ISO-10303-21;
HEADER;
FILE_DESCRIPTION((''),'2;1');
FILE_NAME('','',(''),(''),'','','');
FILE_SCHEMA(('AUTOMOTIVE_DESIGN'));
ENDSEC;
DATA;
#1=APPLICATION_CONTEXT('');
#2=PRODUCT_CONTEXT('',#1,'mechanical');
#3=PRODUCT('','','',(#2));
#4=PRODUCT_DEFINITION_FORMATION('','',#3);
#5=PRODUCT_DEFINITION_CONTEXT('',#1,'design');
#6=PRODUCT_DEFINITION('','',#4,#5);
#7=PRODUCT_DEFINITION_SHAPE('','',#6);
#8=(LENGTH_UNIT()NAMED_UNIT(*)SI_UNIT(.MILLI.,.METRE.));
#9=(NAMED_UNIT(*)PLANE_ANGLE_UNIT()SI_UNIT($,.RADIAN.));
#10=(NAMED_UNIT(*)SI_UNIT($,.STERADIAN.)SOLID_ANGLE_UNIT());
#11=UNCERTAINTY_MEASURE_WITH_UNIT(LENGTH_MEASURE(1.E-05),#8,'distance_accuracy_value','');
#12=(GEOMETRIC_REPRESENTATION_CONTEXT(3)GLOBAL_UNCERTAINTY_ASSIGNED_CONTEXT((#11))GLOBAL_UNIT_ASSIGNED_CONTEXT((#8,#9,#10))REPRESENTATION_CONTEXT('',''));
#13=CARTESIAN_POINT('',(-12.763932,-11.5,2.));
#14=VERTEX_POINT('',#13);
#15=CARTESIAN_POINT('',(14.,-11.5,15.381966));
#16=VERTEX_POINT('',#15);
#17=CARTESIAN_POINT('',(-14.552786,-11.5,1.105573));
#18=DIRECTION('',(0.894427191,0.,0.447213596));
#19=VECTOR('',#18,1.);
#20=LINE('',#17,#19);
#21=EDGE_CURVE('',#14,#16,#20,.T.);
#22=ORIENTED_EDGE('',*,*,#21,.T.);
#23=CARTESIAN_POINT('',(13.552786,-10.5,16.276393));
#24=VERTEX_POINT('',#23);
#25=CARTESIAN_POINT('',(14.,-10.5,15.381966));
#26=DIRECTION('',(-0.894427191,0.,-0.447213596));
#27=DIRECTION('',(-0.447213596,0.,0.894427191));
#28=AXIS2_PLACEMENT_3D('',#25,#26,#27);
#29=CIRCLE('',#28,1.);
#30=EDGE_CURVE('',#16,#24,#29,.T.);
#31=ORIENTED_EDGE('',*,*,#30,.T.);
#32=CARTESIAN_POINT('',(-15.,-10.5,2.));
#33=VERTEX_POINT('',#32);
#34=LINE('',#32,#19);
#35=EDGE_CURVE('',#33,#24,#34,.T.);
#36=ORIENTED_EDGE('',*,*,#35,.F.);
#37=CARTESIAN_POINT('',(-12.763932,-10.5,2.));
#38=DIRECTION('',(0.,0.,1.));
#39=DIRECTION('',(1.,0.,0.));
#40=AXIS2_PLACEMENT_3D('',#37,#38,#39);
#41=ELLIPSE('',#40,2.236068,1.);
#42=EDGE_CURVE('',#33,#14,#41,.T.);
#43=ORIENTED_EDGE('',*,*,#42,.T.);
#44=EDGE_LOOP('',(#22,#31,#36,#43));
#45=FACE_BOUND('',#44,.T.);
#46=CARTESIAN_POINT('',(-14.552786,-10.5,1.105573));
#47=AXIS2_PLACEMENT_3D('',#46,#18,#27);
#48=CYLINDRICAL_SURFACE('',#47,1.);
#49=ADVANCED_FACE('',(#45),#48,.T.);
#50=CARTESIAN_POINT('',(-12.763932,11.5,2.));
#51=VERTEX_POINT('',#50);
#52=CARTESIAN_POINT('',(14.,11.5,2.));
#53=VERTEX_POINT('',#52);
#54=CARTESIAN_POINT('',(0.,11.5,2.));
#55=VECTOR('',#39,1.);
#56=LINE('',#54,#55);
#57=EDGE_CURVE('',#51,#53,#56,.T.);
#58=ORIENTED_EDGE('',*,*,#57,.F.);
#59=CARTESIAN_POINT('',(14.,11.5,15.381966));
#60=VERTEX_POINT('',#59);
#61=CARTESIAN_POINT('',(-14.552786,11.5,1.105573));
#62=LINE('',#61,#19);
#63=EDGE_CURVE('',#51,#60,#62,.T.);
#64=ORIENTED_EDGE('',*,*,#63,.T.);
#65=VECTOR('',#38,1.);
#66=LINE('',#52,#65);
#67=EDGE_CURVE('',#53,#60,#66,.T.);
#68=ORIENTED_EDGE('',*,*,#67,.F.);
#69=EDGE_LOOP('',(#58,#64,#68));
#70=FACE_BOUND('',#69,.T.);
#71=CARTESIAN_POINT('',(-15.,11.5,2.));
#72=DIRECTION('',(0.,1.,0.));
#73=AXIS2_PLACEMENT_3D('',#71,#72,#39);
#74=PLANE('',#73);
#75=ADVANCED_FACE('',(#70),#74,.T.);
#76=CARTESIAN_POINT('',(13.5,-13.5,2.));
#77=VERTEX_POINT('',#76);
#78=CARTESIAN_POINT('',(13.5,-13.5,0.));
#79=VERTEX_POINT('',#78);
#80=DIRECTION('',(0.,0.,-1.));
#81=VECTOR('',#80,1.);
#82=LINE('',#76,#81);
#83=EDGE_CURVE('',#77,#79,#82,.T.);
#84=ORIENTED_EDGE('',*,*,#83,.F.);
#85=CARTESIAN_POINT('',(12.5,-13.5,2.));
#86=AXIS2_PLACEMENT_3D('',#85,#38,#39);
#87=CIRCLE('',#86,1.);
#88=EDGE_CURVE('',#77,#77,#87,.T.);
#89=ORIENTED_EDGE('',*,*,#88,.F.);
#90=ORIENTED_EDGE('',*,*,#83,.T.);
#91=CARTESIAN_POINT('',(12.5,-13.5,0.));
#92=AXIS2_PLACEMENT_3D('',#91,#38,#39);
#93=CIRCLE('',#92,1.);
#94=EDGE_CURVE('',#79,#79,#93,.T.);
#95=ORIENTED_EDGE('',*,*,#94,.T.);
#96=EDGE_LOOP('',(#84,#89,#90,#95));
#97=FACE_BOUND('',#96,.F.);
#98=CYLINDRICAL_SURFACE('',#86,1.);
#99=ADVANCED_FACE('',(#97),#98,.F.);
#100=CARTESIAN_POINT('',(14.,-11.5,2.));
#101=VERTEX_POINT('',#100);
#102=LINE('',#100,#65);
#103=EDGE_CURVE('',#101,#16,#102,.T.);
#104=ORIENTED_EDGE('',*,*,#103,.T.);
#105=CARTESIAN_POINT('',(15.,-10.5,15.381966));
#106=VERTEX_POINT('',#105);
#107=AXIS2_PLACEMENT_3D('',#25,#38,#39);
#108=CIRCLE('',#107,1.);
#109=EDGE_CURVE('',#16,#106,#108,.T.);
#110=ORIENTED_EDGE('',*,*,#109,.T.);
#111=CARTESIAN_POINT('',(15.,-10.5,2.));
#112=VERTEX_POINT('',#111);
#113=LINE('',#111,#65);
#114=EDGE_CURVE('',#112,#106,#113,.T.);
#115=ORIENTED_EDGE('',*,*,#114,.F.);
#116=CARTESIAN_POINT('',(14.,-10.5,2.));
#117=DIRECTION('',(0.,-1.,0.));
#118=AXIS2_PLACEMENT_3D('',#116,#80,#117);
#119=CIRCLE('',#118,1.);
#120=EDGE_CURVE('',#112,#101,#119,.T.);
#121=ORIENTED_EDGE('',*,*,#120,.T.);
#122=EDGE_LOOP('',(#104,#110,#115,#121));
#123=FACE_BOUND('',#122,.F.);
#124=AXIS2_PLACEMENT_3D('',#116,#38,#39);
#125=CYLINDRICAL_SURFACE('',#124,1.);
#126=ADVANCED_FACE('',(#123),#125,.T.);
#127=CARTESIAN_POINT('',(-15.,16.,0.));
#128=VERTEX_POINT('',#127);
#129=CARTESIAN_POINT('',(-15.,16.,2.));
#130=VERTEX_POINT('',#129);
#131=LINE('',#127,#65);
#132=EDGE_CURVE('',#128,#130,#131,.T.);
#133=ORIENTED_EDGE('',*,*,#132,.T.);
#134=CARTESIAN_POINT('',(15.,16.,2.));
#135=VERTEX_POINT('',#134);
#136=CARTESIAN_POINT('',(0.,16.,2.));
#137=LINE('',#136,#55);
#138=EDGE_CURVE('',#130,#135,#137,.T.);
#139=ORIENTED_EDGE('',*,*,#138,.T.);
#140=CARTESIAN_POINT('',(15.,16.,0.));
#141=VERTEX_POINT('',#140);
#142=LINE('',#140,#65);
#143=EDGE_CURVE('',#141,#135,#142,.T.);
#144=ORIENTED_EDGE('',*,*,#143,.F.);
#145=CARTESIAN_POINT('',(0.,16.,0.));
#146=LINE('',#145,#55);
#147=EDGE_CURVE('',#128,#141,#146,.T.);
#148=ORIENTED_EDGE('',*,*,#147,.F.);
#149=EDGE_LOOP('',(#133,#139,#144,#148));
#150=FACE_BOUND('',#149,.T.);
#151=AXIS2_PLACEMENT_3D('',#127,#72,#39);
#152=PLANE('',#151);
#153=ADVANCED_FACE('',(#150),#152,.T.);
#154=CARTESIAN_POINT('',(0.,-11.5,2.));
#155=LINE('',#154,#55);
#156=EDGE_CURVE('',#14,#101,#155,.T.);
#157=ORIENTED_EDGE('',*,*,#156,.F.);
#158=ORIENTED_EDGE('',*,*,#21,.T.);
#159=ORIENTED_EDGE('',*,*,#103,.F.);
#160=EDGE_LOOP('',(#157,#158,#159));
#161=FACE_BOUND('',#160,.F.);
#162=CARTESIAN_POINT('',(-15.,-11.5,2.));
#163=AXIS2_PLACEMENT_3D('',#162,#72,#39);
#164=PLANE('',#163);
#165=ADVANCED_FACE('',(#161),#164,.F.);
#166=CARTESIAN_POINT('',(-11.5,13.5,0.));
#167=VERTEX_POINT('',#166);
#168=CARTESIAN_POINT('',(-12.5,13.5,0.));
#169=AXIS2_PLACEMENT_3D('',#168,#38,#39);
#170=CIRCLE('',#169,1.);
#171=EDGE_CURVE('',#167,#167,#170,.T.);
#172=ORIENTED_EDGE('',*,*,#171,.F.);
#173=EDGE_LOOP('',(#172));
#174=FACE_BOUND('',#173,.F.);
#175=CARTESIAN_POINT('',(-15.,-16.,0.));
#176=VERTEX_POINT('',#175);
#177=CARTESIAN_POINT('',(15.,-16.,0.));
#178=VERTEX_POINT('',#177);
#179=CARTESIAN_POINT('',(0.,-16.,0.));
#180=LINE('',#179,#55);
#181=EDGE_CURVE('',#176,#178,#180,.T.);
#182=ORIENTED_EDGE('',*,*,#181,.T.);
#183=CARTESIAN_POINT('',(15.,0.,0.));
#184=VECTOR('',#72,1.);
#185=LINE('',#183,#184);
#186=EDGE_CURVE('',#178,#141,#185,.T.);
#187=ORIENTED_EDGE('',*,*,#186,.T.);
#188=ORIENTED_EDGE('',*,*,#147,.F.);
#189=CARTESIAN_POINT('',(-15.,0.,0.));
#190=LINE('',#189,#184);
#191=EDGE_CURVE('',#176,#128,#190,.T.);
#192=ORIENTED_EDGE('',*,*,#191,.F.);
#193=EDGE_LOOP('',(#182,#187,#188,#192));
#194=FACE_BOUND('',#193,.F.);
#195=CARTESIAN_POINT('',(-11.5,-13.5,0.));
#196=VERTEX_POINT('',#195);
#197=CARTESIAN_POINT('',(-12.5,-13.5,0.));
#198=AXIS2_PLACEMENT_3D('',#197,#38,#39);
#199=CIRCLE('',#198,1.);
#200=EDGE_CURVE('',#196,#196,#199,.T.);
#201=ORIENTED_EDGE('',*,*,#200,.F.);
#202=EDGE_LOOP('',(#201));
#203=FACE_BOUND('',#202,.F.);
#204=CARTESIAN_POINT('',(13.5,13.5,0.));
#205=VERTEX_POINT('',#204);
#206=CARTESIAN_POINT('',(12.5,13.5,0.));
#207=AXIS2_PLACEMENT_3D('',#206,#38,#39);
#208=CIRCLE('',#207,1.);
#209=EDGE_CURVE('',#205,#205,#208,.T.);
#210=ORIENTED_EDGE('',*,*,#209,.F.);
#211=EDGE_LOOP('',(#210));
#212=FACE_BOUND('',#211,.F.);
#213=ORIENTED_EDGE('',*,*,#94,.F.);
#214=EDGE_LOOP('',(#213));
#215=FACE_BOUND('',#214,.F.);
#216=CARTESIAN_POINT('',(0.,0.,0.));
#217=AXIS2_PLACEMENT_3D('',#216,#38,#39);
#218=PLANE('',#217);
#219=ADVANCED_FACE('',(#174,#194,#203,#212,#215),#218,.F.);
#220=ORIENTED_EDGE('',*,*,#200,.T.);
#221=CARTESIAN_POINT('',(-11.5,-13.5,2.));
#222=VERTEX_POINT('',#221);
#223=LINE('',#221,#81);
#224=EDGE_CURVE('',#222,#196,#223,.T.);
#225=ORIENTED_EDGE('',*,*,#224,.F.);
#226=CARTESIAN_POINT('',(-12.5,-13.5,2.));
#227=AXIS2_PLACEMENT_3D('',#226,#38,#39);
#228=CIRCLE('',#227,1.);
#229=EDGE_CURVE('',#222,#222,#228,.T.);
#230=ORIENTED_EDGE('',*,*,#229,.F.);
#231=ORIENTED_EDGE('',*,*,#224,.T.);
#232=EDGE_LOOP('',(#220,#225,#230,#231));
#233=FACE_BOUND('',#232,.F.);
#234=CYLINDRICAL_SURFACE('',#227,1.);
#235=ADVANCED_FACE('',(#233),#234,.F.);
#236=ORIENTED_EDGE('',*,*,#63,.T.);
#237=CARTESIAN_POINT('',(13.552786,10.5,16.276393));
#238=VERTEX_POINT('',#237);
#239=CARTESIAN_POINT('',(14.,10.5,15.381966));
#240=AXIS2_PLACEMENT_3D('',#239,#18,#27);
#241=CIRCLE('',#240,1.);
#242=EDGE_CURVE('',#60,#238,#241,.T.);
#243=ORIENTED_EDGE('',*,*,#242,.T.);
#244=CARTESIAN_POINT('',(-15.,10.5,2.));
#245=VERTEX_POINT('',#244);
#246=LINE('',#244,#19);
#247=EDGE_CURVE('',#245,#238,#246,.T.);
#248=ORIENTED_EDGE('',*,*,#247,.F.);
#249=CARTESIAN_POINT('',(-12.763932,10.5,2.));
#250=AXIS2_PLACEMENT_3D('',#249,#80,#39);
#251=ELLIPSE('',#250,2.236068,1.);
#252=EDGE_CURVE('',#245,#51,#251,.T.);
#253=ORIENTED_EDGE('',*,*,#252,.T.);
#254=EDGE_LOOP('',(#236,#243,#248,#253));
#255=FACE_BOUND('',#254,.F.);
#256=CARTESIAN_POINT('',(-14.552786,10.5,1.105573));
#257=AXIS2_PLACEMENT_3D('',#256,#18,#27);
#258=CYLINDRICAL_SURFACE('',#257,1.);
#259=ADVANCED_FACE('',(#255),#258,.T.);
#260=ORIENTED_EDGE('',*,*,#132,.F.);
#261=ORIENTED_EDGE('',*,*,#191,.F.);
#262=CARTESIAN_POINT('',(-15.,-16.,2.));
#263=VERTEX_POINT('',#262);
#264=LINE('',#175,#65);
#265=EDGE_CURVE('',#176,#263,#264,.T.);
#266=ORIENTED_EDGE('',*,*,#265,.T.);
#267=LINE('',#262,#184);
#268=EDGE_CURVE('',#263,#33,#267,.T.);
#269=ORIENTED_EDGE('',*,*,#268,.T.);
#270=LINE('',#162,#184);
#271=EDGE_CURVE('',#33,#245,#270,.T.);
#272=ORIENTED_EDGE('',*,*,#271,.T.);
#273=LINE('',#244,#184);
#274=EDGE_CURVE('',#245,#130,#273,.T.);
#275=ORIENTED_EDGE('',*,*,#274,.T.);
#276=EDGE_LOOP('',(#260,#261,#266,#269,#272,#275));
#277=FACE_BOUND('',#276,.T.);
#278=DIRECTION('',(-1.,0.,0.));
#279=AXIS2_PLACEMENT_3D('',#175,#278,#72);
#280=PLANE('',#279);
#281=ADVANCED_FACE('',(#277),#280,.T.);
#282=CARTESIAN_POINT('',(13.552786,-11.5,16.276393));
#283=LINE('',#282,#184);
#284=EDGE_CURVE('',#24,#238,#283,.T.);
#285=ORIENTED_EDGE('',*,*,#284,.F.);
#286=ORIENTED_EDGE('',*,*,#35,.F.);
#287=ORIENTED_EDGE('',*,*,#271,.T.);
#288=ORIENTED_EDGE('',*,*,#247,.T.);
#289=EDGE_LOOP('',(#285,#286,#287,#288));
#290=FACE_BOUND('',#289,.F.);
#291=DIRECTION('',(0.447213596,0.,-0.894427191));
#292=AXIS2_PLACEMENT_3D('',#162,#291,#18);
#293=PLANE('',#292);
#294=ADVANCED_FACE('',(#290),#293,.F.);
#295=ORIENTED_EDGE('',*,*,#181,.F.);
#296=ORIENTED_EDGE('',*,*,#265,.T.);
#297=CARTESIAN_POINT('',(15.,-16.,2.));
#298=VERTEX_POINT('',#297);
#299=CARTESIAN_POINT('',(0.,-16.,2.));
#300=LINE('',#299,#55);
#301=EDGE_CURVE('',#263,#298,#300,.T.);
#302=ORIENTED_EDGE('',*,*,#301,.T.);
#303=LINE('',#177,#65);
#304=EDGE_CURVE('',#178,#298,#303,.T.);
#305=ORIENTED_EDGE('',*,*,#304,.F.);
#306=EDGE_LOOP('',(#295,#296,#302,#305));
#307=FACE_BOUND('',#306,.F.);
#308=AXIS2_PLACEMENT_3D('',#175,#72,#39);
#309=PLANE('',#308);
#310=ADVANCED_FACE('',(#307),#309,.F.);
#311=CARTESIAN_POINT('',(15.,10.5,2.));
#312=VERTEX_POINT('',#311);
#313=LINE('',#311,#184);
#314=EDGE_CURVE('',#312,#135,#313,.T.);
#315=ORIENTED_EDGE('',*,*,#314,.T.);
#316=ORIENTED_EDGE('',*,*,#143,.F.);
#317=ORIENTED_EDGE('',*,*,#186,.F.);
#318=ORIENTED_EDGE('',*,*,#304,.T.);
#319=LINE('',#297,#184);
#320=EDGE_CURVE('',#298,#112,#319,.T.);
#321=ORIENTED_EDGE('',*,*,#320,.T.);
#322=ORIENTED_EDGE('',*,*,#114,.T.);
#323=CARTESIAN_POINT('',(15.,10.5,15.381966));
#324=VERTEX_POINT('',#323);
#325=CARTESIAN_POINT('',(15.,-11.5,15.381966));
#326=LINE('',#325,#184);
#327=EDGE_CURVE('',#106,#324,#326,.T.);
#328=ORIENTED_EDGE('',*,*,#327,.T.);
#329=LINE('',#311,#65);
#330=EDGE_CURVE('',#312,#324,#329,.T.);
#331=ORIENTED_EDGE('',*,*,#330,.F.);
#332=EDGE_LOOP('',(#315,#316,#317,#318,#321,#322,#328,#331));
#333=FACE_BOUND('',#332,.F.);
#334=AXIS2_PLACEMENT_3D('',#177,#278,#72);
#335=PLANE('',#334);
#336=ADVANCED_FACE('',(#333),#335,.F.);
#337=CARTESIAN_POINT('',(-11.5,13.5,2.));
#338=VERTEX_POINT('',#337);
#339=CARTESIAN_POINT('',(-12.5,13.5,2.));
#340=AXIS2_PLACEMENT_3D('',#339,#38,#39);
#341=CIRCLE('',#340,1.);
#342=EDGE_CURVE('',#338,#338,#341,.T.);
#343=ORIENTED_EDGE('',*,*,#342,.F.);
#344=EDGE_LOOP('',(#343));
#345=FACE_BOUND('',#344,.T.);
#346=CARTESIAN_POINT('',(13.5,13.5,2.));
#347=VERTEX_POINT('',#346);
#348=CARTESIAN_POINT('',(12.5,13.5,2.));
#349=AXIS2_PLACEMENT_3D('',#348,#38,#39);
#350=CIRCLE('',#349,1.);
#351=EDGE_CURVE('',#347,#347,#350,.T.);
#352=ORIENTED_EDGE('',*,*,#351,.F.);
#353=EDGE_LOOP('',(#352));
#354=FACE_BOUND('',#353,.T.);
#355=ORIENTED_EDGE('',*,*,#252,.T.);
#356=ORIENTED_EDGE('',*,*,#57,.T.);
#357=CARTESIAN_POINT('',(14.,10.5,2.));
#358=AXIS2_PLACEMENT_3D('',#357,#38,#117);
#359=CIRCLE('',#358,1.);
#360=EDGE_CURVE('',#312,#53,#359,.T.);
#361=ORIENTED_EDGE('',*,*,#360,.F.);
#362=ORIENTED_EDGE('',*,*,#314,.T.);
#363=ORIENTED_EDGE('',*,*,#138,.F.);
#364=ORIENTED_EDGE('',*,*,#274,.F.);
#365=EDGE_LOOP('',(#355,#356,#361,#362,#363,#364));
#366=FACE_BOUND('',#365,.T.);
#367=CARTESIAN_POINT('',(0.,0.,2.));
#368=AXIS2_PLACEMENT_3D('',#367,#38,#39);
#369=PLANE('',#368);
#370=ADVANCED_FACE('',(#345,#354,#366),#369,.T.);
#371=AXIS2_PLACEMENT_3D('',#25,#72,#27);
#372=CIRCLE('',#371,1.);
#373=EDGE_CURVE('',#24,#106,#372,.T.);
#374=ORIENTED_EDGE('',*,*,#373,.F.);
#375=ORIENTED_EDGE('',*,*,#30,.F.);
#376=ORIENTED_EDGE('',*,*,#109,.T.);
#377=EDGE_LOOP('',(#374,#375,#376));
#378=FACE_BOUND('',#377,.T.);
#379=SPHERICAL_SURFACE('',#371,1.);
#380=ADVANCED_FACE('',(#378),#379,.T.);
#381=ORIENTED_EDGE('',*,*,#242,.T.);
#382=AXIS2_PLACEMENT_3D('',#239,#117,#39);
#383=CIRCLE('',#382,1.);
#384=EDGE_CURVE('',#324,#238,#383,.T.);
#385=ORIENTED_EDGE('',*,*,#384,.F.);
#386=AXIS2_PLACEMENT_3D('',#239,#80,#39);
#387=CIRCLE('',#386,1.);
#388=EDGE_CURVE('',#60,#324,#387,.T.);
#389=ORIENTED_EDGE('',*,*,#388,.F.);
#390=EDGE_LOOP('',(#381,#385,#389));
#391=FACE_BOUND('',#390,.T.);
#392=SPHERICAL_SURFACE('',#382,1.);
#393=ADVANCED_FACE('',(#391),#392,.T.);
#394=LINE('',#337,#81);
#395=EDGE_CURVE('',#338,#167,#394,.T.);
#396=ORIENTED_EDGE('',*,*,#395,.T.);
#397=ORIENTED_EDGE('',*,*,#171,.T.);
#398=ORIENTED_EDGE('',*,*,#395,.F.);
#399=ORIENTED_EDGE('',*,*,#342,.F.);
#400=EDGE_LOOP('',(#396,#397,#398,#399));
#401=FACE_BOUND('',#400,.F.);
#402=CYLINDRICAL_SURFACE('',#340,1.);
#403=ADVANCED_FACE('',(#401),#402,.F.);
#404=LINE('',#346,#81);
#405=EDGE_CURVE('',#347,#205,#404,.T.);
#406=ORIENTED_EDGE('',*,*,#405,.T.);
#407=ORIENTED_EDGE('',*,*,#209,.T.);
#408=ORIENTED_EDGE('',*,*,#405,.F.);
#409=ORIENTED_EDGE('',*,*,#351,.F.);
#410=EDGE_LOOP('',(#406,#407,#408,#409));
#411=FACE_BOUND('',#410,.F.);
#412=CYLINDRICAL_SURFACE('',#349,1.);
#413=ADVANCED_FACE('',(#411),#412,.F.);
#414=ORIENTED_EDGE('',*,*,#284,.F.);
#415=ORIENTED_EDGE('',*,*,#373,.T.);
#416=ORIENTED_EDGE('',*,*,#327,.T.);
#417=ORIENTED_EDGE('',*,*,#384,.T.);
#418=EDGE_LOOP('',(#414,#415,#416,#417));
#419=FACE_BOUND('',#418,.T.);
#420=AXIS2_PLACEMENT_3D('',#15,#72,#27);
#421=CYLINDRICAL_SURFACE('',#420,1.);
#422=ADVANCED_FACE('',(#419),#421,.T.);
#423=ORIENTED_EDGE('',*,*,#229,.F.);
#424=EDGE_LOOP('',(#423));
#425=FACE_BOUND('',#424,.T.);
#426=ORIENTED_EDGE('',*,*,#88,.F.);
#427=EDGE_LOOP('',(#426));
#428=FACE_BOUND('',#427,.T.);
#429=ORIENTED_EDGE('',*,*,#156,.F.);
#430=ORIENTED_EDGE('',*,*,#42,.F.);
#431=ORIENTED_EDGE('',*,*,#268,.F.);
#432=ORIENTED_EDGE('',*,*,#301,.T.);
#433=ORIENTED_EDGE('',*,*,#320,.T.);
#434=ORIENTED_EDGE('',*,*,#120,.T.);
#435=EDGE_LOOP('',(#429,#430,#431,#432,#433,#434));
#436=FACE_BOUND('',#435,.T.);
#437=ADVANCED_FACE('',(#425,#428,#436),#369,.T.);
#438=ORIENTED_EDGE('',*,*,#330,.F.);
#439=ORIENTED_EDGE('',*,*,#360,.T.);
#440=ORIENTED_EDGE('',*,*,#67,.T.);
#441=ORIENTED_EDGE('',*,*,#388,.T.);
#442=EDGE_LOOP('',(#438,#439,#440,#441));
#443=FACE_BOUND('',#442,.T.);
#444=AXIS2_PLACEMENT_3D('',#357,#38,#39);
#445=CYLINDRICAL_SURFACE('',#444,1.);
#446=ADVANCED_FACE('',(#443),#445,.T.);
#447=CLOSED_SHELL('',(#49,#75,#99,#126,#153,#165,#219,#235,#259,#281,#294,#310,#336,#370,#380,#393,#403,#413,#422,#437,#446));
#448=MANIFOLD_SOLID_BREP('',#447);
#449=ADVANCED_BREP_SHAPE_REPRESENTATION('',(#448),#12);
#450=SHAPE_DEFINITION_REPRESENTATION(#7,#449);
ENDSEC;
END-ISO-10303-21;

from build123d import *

# Parameters (mm, degrees)
F0_W     = 30
F0_H     = 32
F1_DEPTH = 2
F2_R     = 1
F3_DEPTH = 2
F4_W     = 30
F4_H     = 23
F5_DEPTH = 15
F7_DEPTH = 23
F8_R     = 1


with BuildPart() as f1:
    # F0 (on Top) → F1 (new body)
    with BuildSketch(Plane.XY):
        Rectangle(F0_W, F0_H)
    extrude(amount=F1_DEPTH)

    # F2 (on face) → F3 (cut)
    with BuildSketch(Plane.XY.offset(2)):
        with Locations((12.5, 13.5)):
            Circle(F2_R)
        with Locations((-12.5, 13.5)):
            Circle(F2_R)
        with Locations((-12.5, -13.5)):
            Circle(F2_R)
        with Locations((12.5, -13.5)):
            Circle(F2_R)
    extrude(amount=-F3_DEPTH, mode=Mode.SUBTRACT)

    # F4 (on face) → F5 (join)
    with BuildSketch(Plane.XY.offset(2)):
        Rectangle(F4_W, F4_H)
    extrude(amount=F5_DEPTH)

    # F6 (on face) → F7 (cut)
    with BuildSketch(Plane.XZ.offset(11.5)):
        Polygon((-15, 2), (15, 17), (-15, 17), align=None)
    extrude(amount=-F7_DEPTH, mode=Mode.SUBTRACT)

    # F8
    f8_edges = [f1.edges().sort_by_distance(p)[0] for p in [
        (15, -11.5, 9.5),
        (15, 0, 17),
        (0, -11.5, 9.5),
        (15, 11.5, 9.5),
        (0, 11.5, 9.5),
    ]]
    fillet(f8_edges, radius=F8_R)


solid = f1.part
